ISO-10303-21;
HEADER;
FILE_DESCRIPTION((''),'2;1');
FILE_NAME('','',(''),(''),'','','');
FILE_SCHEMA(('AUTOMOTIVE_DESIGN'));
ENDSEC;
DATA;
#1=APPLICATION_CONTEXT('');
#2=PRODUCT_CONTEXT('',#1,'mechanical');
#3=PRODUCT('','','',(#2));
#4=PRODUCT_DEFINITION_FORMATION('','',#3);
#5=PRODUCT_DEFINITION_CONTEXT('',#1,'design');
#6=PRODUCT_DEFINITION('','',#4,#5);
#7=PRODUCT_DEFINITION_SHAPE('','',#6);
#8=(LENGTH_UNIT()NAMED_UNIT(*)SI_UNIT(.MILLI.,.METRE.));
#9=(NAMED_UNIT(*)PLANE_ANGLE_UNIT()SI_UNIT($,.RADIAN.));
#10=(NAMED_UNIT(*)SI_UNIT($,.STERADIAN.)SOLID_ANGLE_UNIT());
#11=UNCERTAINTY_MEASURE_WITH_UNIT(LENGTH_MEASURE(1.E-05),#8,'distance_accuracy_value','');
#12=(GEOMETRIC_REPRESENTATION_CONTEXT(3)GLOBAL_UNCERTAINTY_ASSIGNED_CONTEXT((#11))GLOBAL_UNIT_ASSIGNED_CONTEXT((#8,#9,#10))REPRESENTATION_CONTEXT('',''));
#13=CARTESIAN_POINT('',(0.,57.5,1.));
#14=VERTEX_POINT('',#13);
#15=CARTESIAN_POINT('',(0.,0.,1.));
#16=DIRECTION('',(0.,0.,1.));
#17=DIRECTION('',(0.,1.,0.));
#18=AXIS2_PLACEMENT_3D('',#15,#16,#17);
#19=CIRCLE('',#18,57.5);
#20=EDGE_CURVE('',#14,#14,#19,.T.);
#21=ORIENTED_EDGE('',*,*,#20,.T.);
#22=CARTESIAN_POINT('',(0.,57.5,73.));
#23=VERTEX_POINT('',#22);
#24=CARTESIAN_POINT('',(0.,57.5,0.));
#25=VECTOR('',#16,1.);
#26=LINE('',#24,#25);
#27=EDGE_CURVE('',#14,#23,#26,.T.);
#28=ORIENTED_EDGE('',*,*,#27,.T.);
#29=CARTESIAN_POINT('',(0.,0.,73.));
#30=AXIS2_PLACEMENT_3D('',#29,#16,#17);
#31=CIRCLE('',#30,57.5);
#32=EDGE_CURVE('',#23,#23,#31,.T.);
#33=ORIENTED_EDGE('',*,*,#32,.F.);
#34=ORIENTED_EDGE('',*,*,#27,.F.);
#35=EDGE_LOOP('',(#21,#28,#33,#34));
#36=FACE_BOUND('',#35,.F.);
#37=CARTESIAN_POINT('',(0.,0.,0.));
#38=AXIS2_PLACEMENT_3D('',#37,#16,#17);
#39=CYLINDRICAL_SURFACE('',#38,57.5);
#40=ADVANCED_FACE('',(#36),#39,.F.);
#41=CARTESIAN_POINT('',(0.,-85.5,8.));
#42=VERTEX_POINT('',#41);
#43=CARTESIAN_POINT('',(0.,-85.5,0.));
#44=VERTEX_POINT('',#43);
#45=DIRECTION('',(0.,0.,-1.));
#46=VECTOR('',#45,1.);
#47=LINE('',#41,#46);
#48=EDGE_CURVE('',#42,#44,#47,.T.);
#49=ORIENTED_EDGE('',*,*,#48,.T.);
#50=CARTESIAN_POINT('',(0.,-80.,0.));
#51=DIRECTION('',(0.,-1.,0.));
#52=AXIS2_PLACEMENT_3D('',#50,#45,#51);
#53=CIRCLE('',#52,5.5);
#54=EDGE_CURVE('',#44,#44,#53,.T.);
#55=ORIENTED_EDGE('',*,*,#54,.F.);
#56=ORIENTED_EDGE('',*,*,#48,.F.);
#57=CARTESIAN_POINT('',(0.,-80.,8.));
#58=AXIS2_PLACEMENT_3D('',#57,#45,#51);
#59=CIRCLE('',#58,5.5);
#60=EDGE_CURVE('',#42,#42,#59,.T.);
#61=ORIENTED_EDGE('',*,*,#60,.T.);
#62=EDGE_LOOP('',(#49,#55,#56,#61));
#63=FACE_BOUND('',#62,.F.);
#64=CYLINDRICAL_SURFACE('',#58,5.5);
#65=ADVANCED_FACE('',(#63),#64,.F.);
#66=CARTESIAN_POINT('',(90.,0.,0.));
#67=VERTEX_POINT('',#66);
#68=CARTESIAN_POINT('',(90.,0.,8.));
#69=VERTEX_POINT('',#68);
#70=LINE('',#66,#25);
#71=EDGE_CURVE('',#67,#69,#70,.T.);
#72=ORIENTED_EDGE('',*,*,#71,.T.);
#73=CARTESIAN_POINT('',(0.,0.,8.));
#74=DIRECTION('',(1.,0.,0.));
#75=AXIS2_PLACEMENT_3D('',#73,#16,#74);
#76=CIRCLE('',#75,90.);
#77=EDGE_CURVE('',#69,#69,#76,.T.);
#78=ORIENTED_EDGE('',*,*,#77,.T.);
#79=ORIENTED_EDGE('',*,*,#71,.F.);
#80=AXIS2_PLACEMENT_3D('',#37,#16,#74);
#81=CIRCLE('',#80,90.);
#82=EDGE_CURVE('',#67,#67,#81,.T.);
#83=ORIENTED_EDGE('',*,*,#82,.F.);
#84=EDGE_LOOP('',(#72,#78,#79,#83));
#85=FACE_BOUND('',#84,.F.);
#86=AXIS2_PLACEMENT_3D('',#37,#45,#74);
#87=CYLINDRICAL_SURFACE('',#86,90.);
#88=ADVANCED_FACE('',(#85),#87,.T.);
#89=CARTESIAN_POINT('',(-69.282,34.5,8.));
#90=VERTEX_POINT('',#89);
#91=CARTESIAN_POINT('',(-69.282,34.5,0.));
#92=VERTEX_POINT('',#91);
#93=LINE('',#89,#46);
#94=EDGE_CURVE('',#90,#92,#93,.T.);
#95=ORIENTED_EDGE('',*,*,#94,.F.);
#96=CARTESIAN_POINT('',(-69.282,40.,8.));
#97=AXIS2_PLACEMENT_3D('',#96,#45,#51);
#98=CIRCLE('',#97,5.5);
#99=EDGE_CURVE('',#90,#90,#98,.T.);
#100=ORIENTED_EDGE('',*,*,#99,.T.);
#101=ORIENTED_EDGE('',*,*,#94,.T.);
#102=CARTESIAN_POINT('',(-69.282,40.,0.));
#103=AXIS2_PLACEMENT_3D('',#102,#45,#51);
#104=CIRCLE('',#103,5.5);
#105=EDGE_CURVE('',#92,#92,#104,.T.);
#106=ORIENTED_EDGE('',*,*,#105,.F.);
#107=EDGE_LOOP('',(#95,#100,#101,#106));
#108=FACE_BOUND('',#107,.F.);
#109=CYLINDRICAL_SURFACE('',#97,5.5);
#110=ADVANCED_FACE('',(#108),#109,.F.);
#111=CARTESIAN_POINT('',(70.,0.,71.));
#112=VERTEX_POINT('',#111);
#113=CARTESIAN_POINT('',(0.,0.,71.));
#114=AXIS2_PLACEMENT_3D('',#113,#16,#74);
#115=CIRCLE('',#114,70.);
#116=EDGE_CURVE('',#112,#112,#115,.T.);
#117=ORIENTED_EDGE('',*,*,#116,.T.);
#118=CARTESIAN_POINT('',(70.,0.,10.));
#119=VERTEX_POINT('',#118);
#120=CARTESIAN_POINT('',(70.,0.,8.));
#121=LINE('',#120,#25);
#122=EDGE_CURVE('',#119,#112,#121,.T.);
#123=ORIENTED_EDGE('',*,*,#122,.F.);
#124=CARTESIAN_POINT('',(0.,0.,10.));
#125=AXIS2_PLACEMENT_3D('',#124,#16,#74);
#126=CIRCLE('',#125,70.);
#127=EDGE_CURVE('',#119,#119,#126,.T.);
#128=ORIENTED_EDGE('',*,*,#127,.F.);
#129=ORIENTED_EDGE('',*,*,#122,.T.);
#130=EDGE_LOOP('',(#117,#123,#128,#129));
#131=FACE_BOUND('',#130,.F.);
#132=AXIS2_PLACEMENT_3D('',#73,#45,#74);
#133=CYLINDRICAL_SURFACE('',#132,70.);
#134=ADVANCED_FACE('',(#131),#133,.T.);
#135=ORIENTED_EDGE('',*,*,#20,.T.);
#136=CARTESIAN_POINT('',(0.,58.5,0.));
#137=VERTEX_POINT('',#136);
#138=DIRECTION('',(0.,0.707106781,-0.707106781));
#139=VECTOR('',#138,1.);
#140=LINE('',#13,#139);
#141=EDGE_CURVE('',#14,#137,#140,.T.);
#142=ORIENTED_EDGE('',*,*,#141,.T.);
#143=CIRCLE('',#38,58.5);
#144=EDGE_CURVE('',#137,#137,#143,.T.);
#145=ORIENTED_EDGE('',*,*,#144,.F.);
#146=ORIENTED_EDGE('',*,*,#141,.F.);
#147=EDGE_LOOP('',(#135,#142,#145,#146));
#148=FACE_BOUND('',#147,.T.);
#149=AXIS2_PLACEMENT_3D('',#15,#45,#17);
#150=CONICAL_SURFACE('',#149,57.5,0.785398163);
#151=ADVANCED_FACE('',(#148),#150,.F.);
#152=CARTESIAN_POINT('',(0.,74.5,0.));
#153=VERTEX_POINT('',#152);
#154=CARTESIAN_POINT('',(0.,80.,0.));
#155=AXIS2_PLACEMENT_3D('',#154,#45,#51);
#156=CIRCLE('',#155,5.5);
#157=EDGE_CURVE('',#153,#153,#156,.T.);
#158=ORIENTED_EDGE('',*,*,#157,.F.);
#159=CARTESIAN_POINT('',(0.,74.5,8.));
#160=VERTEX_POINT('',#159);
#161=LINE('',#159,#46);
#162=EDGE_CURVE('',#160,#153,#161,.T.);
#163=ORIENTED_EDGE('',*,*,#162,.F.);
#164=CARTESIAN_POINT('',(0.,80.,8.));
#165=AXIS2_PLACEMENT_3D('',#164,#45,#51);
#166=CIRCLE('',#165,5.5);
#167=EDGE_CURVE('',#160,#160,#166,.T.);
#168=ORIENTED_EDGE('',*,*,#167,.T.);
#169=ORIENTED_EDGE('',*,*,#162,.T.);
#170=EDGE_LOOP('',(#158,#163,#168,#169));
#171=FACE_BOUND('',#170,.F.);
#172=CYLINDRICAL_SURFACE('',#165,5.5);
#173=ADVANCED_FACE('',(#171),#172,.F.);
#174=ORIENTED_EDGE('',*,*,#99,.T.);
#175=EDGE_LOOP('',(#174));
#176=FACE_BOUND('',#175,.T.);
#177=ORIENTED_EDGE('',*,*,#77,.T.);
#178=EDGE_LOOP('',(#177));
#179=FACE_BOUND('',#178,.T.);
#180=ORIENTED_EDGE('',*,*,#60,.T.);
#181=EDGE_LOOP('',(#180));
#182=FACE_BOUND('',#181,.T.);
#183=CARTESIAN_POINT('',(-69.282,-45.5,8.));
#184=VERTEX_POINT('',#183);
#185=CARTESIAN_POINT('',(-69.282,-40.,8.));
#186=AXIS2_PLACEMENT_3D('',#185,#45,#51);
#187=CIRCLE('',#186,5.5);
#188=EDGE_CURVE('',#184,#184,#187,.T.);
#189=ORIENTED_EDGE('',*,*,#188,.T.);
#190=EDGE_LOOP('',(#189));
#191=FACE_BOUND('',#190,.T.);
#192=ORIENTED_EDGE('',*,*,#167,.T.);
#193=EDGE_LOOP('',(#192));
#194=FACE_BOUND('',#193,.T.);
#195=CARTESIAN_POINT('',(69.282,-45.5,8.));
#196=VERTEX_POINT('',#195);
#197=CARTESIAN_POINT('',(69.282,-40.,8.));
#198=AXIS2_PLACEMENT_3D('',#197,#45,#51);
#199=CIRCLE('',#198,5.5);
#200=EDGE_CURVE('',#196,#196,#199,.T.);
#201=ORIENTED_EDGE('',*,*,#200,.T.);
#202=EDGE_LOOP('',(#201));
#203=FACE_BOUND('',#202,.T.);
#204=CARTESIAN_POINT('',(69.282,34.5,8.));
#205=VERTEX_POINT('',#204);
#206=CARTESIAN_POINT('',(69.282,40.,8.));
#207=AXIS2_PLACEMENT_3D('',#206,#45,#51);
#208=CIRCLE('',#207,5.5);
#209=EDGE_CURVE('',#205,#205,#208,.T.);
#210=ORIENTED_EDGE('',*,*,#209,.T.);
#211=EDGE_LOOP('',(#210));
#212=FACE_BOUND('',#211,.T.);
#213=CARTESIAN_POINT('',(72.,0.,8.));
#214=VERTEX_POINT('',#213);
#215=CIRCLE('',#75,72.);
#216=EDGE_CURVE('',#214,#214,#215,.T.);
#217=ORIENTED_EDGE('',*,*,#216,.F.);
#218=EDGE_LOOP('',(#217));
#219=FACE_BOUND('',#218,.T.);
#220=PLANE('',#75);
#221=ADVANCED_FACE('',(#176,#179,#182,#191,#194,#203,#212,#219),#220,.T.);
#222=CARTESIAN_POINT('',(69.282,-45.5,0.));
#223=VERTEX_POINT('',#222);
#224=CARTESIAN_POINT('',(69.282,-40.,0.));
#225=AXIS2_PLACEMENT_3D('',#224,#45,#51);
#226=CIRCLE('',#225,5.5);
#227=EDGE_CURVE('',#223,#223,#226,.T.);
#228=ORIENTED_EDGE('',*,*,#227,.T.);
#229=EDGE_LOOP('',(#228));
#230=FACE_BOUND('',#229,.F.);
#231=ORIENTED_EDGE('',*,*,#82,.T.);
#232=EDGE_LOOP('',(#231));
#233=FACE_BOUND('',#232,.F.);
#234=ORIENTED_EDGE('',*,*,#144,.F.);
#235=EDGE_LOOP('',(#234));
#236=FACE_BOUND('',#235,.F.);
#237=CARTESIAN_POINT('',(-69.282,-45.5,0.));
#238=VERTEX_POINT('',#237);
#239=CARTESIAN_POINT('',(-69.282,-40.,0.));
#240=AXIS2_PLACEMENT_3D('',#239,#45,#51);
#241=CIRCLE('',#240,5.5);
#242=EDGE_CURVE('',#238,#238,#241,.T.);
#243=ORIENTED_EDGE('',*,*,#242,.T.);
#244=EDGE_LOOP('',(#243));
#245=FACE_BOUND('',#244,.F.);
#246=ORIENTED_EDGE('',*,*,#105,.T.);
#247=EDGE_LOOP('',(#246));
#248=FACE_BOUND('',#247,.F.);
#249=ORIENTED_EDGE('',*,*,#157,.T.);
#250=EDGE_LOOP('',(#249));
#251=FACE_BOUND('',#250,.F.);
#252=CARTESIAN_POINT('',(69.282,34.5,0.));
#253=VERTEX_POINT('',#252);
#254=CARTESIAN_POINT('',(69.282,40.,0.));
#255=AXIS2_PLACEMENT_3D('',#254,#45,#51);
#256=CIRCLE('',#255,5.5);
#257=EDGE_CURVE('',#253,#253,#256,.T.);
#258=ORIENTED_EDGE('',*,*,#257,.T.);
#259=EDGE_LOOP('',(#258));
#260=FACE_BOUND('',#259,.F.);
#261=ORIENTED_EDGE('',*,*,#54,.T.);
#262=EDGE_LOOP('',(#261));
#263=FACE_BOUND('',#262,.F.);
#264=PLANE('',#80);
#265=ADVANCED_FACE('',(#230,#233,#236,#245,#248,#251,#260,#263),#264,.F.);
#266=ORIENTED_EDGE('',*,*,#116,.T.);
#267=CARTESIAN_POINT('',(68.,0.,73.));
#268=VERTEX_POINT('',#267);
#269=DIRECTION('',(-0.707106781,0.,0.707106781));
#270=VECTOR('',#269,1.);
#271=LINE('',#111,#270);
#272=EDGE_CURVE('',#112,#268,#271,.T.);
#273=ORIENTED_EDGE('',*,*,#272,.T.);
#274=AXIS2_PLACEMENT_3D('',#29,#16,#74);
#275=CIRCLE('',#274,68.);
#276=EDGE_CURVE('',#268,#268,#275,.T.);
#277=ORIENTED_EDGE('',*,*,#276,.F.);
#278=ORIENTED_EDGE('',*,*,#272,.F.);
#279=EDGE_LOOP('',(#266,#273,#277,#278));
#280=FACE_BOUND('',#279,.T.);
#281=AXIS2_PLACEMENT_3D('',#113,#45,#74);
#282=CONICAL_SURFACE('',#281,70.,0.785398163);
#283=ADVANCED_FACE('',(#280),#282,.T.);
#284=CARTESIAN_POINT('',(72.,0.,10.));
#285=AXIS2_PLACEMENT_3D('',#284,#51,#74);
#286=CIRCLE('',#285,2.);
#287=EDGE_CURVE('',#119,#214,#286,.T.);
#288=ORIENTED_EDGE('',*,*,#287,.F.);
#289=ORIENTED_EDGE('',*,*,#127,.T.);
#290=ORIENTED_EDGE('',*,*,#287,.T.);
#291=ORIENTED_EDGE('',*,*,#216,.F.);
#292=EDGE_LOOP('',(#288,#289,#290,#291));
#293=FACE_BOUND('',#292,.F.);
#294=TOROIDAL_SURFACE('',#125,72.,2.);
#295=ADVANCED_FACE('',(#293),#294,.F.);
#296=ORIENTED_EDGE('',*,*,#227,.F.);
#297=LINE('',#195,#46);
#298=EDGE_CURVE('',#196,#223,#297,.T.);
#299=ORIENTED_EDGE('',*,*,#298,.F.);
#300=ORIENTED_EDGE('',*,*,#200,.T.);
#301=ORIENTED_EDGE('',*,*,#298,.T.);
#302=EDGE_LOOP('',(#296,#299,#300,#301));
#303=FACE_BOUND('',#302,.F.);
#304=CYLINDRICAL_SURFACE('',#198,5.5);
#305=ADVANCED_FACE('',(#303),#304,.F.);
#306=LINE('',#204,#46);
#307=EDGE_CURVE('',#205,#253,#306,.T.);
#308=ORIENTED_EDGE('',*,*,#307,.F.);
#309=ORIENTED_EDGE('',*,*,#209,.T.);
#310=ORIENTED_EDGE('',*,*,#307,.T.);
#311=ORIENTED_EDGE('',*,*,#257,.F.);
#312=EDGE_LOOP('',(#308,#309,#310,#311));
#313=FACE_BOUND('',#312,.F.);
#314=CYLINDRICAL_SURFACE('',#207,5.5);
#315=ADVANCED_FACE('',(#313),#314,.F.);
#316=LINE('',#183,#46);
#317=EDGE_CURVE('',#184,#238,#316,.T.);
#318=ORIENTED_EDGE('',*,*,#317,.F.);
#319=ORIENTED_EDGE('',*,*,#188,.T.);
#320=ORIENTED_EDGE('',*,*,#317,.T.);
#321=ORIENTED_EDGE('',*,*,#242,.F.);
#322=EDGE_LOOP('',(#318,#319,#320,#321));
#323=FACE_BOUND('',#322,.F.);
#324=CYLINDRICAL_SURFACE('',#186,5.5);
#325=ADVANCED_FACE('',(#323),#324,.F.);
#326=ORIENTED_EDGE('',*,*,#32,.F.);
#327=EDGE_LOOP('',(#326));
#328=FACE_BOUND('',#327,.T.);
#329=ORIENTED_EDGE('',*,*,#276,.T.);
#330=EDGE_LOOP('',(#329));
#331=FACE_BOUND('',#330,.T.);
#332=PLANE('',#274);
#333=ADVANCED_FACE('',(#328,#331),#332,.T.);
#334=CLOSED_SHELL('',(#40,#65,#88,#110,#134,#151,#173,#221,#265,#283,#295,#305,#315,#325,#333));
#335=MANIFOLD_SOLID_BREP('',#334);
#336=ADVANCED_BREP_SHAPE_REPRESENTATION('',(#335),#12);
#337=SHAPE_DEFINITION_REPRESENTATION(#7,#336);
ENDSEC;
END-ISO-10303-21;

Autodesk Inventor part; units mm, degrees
ref_plane "YZ Plane" through (0, 0, 0) normal (1, 0, 0) x (0, 1, 0)
ref_plane "XZ Plane" through (0, 0, 0) normal (0, 1, 0) x (-1, 0, 0)
ref_plane "XY Plane" through (0, 0, 0) normal (0, 0, 1) x (1, 0, 0)
sketch "Эскиз1" plane through (0, 0, 0) normal (0, 0, 1) x (1, 0, 0)
  circle A0 centre (0, 0) radius 90
  dimension "d0" = 180
extrude "Выдавливание1" add sketch "Эскиз1" along normal blind 8
sketch "Эскиз2" plane through (0, 0, 8) normal (0, 0, 1) x (1, 0, 0)
  point P0 (0, 0)
sketch "Эскиз3" plane through (0, 0, 0) normal (0, 0, -1) x (-1, 0, 0)
  circle A0 centre (0, 0) radius 57.5
  dimension "d3" = 115
sketch "Эскиз4" plane through (0, 0, 8) normal (0, 0, 1) x (1, 0, 0)
  circle A0 centre (0, 0) radius 70
  dimension "d4" = 140
extrude "Выдавливание2" add sketch "Эскиз4" along normal blind 65
hole "Отверстие1" at (0, 0, 0) direction (0, 0, 1) diameter 115 end through all
chamfer "Фаска1" distance 2 angle 45 1 edges at (-70, 0, 73)
chamfer "Фаска2" distance 1 angle 45 1 edges at (0, -57.5, 0)
fillet "Сопряжение1" radius 2 1 edges at (-70, 0, 8)
sketch "Эскиз5" plane through (0, 0, 8) normal (0, 0, 1) x (1, 0, 0)
  circle A0 centre (0, 0) radius 80
  circle A1 centre (0, 0) radius 80
  circle A2 centre (0, 0) radius 80
  circle A3 centre (0, 0) radius 80
  circle A4 centre (0, 0) radius 80
  circle A5 centre (0, 0) radius 80
  point P0 (0, 80)
  point P1 (-69.282, 40)
  point P2 (-69.282, -40)
  point P3 (0, -80)
  point P4 (69.282, -40)
  point P5 (69.282, 40)
  dimension "d21" = 160
  dimension "d24" = 360
hole "Отверстие2" at (69.282, 40, 8) at (69.282, -40, 8) at (0, -80, 8) at (-69.282, -40, 8) at (-69.282, 40, 8) at (0, 80, 8) direction (0, 0, -1) diameter 11 end through all
